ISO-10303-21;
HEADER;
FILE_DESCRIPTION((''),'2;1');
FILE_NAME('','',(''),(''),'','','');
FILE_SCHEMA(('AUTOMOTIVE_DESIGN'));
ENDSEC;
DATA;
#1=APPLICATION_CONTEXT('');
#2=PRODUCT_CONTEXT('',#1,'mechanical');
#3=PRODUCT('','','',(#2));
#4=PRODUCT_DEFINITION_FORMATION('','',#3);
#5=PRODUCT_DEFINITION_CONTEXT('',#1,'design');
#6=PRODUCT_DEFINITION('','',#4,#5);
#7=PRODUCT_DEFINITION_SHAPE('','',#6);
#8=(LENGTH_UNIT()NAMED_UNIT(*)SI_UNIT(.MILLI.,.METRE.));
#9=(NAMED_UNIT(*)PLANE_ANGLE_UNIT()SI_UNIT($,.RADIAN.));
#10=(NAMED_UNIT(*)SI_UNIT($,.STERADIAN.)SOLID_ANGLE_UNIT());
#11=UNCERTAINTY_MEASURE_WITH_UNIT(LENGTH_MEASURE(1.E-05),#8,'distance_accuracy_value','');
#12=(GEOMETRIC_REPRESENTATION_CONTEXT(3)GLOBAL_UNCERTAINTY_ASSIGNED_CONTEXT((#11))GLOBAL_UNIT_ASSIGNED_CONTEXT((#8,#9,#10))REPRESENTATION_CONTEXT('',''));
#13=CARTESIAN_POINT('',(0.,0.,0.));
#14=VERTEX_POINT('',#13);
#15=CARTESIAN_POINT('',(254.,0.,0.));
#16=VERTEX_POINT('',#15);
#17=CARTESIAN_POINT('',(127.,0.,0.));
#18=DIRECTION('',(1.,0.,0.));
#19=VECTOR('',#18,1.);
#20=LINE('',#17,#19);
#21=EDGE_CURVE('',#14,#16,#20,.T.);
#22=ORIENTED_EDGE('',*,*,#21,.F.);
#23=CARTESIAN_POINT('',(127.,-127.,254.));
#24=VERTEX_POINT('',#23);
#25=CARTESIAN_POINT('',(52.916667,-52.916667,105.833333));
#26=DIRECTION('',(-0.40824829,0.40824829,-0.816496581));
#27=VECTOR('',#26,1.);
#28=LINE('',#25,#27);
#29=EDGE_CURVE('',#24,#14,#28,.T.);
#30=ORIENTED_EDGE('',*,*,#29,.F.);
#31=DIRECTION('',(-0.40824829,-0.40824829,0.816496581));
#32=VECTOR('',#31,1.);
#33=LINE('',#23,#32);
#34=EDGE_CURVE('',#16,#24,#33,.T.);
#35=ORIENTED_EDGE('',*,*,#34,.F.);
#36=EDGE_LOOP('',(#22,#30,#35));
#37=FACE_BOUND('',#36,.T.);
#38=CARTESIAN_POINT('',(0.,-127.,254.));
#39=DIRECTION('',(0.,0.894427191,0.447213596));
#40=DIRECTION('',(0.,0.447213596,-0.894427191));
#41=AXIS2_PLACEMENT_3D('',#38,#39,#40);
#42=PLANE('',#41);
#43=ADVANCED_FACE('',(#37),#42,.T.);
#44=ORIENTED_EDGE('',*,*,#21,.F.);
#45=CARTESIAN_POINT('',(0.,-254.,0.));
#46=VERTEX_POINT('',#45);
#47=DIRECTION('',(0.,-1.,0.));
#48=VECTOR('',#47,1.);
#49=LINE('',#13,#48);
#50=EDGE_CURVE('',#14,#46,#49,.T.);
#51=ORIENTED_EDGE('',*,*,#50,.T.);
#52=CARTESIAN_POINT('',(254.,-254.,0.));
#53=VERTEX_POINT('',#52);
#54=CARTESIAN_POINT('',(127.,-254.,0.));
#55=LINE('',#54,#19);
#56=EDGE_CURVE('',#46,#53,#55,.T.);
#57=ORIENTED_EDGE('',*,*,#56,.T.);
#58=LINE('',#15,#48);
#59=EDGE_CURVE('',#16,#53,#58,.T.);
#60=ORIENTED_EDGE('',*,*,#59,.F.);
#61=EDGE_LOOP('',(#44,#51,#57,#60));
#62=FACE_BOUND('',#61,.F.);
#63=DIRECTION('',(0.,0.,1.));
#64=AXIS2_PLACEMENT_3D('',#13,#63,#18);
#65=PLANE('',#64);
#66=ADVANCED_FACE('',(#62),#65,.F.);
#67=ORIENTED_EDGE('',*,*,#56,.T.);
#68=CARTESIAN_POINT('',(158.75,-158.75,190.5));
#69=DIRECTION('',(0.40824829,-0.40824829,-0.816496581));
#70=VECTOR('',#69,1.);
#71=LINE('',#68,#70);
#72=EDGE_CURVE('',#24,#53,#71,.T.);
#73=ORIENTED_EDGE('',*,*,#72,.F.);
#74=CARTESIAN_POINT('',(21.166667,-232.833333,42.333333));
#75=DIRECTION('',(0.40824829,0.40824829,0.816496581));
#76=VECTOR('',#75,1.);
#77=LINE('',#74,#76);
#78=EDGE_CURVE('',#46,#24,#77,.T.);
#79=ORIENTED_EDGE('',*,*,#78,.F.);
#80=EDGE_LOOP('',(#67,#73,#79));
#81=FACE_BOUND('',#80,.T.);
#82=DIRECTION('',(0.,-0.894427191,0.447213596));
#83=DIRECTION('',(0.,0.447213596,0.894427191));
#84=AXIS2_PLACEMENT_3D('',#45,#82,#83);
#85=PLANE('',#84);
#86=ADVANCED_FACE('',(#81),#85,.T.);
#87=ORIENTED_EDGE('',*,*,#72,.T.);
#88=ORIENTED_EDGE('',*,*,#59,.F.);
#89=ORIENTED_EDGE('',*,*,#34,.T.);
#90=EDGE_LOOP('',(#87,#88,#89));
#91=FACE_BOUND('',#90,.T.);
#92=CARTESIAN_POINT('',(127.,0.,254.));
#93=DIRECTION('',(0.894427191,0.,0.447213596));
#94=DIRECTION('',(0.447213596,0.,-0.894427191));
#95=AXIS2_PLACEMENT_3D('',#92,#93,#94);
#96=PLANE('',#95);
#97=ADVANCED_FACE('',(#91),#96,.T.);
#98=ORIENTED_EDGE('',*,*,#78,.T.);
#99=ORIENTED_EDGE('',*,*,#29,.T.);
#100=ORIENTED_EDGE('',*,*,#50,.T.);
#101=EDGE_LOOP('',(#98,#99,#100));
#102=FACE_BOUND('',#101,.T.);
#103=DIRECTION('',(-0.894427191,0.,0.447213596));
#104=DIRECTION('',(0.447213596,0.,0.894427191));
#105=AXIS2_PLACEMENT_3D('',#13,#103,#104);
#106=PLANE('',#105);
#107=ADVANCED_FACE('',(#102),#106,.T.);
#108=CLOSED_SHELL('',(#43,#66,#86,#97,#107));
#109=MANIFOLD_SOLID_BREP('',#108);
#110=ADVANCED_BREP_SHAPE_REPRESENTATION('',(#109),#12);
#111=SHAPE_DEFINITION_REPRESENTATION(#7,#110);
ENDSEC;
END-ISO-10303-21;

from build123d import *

# Parameters (mm, degrees)
F0_W      = 254
F0_H      = 254
F1_DEPTH  = 254
F6_DEPTH  = 254
F8_DEPTH  = 254
F4_DEPTH  = 254.000008
F10_DEPTH = 254


with BuildPart() as f1:
    # F0 (on Front) → F1 (new body)
    with BuildSketch(Plane.XZ):
        with Locations((127, 127)):
            Rectangle(F0_W, F0_H)
    extrude(amount=F1_DEPTH)

    # F2 (on Front) → F6 (cut, through all)
    with BuildSketch(Plane.XZ):
        Polygon((0, 0), (127, 254), (0, 254), align=None)
    extrude(amount=F6_DEPTH, mode=Mode.SUBTRACT)

    # F7 (on Front) → F8 (cut, through all)
    with BuildSketch(Plane.XZ):
        Polygon((254, 254), (127, 254), (254, 0), align=None)
    extrude(amount=F8_DEPTH, mode=Mode.SUBTRACT)

    # F9 (on Right) → F4 (cut)
    with BuildSketch(Plane.YZ):
        Polygon((-254, 254), (-254, 0), (-127, 254), align=None)
    extrude(amount=F4_DEPTH, mode=Mode.SUBTRACT)

    # F5 (on Right) → F10 (cut)
    with BuildSketch(Plane.YZ):
        Polygon((0, 254), (-127, 254), (0, 0), align=None)
    extrude(amount=F10_DEPTH, mode=Mode.SUBTRACT)


solid = f1.part
